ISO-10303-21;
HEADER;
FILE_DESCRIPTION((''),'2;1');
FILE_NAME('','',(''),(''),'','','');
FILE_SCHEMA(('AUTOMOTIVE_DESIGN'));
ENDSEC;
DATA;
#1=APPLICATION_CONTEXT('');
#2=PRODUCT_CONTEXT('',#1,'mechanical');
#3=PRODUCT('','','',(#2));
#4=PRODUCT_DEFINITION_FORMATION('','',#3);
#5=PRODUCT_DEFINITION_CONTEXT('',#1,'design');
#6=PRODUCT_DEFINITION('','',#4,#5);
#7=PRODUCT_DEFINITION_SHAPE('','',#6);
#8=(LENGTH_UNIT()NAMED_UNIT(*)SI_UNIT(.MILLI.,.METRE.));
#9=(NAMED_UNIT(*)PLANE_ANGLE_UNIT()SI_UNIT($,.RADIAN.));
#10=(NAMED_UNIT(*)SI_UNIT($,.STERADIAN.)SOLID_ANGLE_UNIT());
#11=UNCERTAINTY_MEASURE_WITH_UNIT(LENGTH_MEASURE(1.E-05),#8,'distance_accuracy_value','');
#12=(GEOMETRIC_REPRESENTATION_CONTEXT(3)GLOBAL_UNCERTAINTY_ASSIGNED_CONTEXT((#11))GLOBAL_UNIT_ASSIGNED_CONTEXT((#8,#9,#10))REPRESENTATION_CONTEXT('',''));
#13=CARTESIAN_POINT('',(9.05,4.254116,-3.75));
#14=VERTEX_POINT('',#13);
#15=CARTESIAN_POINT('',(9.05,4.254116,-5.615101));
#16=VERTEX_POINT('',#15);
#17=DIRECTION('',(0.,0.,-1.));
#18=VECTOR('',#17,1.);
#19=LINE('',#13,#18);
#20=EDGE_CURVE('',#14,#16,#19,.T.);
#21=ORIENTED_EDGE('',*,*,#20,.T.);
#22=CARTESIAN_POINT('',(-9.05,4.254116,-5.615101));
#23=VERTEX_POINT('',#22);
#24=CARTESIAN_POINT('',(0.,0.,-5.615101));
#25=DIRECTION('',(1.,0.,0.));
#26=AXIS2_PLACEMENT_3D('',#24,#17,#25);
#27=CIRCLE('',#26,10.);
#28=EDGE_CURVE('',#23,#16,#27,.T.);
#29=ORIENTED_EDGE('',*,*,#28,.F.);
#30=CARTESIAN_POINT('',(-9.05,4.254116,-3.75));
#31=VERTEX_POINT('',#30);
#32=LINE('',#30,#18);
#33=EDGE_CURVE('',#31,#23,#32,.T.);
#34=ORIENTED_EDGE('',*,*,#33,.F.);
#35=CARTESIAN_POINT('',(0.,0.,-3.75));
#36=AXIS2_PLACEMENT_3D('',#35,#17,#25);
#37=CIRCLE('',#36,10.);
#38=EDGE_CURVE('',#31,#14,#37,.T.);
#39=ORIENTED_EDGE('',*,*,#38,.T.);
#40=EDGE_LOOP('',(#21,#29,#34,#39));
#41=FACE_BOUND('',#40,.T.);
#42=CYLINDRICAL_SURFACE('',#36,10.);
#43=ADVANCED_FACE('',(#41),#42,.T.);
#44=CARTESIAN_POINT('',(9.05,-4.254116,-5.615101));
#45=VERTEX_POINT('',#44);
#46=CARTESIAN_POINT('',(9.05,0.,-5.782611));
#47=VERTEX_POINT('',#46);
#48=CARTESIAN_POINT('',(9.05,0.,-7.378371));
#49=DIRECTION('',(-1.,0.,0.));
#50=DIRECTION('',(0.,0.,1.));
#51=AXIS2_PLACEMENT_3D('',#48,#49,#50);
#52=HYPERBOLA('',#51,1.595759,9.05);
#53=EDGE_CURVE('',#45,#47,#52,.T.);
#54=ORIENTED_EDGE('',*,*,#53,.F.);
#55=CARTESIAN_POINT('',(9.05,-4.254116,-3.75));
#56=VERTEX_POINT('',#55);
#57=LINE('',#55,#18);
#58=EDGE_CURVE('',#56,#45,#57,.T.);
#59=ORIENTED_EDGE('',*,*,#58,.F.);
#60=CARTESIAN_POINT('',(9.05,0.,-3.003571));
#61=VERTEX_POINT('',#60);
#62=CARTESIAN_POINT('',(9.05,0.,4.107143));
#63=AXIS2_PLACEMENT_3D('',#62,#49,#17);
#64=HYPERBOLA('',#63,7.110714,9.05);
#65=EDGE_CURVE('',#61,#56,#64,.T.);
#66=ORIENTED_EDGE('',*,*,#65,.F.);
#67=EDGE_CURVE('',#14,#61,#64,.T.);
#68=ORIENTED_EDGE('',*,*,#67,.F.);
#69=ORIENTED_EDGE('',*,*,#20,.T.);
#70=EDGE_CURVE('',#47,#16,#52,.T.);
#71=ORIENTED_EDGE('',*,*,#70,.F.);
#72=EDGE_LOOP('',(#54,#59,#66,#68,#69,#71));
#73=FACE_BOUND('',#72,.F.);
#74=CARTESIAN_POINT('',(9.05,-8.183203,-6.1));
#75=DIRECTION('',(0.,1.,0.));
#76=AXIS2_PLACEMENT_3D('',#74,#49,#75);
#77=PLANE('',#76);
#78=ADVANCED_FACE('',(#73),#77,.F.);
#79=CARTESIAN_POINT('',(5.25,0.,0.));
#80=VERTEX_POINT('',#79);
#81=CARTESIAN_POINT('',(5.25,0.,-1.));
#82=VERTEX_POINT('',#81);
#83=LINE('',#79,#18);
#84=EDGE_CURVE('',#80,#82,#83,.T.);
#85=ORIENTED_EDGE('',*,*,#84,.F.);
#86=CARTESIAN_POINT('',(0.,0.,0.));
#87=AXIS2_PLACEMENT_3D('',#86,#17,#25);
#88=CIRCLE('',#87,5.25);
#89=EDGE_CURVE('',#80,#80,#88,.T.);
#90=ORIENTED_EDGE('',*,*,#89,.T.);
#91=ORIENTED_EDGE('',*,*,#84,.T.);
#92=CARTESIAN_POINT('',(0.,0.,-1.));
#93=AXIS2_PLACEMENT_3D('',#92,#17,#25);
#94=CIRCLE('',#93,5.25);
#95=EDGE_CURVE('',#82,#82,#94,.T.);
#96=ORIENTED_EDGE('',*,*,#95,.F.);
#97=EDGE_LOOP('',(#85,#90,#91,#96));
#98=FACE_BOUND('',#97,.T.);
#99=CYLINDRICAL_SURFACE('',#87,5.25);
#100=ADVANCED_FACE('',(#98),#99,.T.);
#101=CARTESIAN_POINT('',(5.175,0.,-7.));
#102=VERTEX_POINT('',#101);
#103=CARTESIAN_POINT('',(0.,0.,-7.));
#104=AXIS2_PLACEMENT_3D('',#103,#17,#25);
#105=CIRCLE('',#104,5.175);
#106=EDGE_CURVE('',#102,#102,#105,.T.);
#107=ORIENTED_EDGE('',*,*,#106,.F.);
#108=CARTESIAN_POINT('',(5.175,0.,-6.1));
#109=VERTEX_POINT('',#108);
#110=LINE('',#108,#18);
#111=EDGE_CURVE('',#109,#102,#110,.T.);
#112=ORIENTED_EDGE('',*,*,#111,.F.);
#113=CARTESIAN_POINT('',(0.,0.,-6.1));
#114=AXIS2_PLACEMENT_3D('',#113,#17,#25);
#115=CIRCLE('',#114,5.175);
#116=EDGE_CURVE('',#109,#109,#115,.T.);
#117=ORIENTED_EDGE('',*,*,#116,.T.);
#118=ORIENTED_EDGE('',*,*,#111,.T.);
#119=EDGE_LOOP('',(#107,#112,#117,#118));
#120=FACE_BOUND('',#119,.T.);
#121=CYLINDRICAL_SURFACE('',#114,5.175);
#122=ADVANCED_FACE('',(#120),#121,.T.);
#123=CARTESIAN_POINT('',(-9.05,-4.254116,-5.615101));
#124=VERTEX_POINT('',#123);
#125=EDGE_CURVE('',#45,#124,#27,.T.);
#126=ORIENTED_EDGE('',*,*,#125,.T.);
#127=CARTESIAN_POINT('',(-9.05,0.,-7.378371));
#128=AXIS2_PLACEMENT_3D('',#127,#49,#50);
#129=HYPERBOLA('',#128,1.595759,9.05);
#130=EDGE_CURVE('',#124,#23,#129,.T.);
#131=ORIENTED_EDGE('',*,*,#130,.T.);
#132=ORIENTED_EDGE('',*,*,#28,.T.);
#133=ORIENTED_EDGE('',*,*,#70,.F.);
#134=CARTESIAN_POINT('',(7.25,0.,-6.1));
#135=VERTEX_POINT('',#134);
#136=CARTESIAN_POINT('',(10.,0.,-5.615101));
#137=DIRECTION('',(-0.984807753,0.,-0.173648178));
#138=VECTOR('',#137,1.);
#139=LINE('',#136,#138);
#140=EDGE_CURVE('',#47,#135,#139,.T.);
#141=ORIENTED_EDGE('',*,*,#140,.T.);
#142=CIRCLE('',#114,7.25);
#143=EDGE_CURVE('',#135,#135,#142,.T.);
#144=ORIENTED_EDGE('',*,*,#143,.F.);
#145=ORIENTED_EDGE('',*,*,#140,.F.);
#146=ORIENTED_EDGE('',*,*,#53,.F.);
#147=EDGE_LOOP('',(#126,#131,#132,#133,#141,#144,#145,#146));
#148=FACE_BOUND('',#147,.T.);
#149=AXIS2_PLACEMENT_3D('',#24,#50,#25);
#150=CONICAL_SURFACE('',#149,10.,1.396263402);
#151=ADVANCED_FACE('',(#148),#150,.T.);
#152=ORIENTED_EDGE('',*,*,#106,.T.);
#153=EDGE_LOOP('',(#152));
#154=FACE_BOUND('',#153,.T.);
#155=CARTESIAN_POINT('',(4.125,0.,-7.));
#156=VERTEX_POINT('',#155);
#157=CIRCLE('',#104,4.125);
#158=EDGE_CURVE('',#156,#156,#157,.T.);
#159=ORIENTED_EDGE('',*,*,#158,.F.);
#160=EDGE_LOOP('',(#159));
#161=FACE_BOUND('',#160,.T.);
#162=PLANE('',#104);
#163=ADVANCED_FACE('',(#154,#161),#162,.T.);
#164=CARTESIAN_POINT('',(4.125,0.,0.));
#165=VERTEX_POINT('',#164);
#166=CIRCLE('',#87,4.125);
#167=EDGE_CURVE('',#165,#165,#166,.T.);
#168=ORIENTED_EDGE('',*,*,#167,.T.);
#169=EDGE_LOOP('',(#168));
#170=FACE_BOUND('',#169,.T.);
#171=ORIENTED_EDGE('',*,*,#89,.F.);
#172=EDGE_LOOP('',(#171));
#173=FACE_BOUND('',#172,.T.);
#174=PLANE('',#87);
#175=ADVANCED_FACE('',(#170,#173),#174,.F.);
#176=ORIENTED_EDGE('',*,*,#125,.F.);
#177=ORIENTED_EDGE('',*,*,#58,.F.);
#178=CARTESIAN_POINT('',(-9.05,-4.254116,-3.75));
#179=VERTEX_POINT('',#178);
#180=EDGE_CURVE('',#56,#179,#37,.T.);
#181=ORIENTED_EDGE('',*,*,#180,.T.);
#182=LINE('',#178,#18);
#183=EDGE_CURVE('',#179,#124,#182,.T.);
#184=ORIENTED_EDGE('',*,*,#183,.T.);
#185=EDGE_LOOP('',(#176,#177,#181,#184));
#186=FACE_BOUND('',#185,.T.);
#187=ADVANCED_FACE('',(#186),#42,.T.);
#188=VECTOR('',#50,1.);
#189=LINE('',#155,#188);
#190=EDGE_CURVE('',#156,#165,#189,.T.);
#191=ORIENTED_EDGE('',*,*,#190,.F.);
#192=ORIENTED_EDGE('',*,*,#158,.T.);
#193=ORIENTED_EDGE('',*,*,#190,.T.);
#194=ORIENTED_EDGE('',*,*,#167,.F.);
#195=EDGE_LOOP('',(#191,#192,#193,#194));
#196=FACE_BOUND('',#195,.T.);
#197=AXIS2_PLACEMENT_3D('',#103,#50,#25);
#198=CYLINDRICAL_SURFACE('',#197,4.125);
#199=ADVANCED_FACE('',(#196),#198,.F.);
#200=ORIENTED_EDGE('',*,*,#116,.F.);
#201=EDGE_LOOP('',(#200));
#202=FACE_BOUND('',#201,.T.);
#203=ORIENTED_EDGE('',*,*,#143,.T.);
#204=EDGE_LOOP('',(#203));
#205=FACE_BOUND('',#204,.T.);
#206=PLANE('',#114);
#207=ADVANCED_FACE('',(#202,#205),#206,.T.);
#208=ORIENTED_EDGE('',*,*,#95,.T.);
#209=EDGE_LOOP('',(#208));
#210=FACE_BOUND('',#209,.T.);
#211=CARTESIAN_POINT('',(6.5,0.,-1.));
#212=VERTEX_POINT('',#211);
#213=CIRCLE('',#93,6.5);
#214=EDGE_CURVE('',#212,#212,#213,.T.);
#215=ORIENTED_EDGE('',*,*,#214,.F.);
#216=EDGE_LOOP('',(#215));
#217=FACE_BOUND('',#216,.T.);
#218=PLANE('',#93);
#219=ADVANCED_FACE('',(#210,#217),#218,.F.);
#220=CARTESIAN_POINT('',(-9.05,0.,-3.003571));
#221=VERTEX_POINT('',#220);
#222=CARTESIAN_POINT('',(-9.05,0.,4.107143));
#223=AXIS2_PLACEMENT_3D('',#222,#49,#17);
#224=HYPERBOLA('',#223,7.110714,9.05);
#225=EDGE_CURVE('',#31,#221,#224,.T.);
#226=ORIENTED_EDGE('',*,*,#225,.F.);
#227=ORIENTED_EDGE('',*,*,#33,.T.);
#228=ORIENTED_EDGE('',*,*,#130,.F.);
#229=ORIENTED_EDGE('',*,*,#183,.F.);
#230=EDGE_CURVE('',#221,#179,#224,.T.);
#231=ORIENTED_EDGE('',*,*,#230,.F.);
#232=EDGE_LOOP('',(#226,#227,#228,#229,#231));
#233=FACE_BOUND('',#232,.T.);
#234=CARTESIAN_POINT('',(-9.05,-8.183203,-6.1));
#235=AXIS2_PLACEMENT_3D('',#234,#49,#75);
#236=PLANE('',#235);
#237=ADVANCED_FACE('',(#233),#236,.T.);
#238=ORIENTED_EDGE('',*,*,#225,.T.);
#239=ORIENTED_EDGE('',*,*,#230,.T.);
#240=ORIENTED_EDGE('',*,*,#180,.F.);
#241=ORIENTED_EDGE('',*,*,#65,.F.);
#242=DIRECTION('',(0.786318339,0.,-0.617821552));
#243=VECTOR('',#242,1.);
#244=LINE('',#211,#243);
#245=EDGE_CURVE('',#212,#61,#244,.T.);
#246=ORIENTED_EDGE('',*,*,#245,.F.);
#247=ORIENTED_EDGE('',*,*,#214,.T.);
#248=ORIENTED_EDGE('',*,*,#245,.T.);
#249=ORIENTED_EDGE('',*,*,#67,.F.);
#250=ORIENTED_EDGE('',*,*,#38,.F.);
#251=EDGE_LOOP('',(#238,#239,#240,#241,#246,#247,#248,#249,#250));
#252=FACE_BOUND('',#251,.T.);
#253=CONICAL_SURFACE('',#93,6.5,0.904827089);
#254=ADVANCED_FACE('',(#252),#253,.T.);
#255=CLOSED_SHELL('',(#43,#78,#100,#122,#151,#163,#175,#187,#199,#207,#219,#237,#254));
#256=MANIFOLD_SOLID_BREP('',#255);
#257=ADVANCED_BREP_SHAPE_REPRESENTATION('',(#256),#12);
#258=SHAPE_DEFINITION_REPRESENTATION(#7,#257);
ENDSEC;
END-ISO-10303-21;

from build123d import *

# Parameters (mm, degrees)
CUT_EXTRUDE1_REACH = 17.402
SKETCH2_W          = 3.052308152
SKETCH2_H          = 16.366405324


with BuildPart() as part:
    # Sketch1 → Revolve1 (revolve)
    with BuildSketch(Plane(origin=(0, 0, 0), x_dir=(0, 0, -1), z_dir=(1, 0, 0)), mode=Mode.PRIVATE) as revolve1_sk:
        Polygon((0, 4.125), (0, 5.25), (1, 5.25), (1, 6.5), (3.75, 10), (5.615100803, 10), (6.1, 7.25), (6.1, 5.175), (7, 5.175), (7, 4.125), align=None)
    revolve(revolve1_sk.sketch.rotate(Axis((0, 0, 0), (0, 0, -1)), 90), axis=Axis((0, 0, 0), (0, 0, -1)))

    # Cut-Extrude1: up to this cone (the profile starts inside it)
    cut_extrude1_end = Plane(origin=(0, 0, -6.1), z_dir=(0, 0, -1)).offset(-10.207141857) * Cone(1.273e-06, 52.309157025, 41.100050948, align=(Align.CENTER, Align.CENTER, Align.MIN), mode=Mode.PRIVATE)
    # Sketch2 → Cut-Extrude1 (cut, up to the surface)
    with BuildSketch(Plane(origin=(0, 0, -6.1), x_dir=(-1, 0, 0), z_dir=(0, 0, -1)), mode=Mode.PRIVATE) as cut_extrude1_sk1:
        with Locations((10.576154076, 0)):
            Rectangle(SKETCH2_W, SKETCH2_H)
    cut_extrude1_tool1 = extrude(cut_extrude1_sk1.sketch, amount=-CUT_EXTRUDE1_REACH, mode=Mode.PRIVATE) & cut_extrude1_end
    add(cut_extrude1_tool1.solids().sort_by_distance((-10.576154, 0, -6.1))[0], mode=Mode.SUBTRACT)
    # Sketch2 → Cut-Extrude1 (cut, up to the surface)
    with BuildSketch(Plane(origin=(0, 0, -6.1), x_dir=(-1, 0, 0), z_dir=(0, 0, -1)), mode=Mode.PRIVATE) as cut_extrude1_sk2:
        with Locations((-10.576154076, 0)):
            Rectangle(SKETCH2_W, SKETCH2_H)
    cut_extrude1_tool2 = extrude(cut_extrude1_sk2.sketch, amount=-CUT_EXTRUDE1_REACH, mode=Mode.PRIVATE) & cut_extrude1_end
    add(cut_extrude1_tool2.solids().sort_by_distance((10.576154, 0, -6.1))[0], mode=Mode.SUBTRACT)


solid = part.part
